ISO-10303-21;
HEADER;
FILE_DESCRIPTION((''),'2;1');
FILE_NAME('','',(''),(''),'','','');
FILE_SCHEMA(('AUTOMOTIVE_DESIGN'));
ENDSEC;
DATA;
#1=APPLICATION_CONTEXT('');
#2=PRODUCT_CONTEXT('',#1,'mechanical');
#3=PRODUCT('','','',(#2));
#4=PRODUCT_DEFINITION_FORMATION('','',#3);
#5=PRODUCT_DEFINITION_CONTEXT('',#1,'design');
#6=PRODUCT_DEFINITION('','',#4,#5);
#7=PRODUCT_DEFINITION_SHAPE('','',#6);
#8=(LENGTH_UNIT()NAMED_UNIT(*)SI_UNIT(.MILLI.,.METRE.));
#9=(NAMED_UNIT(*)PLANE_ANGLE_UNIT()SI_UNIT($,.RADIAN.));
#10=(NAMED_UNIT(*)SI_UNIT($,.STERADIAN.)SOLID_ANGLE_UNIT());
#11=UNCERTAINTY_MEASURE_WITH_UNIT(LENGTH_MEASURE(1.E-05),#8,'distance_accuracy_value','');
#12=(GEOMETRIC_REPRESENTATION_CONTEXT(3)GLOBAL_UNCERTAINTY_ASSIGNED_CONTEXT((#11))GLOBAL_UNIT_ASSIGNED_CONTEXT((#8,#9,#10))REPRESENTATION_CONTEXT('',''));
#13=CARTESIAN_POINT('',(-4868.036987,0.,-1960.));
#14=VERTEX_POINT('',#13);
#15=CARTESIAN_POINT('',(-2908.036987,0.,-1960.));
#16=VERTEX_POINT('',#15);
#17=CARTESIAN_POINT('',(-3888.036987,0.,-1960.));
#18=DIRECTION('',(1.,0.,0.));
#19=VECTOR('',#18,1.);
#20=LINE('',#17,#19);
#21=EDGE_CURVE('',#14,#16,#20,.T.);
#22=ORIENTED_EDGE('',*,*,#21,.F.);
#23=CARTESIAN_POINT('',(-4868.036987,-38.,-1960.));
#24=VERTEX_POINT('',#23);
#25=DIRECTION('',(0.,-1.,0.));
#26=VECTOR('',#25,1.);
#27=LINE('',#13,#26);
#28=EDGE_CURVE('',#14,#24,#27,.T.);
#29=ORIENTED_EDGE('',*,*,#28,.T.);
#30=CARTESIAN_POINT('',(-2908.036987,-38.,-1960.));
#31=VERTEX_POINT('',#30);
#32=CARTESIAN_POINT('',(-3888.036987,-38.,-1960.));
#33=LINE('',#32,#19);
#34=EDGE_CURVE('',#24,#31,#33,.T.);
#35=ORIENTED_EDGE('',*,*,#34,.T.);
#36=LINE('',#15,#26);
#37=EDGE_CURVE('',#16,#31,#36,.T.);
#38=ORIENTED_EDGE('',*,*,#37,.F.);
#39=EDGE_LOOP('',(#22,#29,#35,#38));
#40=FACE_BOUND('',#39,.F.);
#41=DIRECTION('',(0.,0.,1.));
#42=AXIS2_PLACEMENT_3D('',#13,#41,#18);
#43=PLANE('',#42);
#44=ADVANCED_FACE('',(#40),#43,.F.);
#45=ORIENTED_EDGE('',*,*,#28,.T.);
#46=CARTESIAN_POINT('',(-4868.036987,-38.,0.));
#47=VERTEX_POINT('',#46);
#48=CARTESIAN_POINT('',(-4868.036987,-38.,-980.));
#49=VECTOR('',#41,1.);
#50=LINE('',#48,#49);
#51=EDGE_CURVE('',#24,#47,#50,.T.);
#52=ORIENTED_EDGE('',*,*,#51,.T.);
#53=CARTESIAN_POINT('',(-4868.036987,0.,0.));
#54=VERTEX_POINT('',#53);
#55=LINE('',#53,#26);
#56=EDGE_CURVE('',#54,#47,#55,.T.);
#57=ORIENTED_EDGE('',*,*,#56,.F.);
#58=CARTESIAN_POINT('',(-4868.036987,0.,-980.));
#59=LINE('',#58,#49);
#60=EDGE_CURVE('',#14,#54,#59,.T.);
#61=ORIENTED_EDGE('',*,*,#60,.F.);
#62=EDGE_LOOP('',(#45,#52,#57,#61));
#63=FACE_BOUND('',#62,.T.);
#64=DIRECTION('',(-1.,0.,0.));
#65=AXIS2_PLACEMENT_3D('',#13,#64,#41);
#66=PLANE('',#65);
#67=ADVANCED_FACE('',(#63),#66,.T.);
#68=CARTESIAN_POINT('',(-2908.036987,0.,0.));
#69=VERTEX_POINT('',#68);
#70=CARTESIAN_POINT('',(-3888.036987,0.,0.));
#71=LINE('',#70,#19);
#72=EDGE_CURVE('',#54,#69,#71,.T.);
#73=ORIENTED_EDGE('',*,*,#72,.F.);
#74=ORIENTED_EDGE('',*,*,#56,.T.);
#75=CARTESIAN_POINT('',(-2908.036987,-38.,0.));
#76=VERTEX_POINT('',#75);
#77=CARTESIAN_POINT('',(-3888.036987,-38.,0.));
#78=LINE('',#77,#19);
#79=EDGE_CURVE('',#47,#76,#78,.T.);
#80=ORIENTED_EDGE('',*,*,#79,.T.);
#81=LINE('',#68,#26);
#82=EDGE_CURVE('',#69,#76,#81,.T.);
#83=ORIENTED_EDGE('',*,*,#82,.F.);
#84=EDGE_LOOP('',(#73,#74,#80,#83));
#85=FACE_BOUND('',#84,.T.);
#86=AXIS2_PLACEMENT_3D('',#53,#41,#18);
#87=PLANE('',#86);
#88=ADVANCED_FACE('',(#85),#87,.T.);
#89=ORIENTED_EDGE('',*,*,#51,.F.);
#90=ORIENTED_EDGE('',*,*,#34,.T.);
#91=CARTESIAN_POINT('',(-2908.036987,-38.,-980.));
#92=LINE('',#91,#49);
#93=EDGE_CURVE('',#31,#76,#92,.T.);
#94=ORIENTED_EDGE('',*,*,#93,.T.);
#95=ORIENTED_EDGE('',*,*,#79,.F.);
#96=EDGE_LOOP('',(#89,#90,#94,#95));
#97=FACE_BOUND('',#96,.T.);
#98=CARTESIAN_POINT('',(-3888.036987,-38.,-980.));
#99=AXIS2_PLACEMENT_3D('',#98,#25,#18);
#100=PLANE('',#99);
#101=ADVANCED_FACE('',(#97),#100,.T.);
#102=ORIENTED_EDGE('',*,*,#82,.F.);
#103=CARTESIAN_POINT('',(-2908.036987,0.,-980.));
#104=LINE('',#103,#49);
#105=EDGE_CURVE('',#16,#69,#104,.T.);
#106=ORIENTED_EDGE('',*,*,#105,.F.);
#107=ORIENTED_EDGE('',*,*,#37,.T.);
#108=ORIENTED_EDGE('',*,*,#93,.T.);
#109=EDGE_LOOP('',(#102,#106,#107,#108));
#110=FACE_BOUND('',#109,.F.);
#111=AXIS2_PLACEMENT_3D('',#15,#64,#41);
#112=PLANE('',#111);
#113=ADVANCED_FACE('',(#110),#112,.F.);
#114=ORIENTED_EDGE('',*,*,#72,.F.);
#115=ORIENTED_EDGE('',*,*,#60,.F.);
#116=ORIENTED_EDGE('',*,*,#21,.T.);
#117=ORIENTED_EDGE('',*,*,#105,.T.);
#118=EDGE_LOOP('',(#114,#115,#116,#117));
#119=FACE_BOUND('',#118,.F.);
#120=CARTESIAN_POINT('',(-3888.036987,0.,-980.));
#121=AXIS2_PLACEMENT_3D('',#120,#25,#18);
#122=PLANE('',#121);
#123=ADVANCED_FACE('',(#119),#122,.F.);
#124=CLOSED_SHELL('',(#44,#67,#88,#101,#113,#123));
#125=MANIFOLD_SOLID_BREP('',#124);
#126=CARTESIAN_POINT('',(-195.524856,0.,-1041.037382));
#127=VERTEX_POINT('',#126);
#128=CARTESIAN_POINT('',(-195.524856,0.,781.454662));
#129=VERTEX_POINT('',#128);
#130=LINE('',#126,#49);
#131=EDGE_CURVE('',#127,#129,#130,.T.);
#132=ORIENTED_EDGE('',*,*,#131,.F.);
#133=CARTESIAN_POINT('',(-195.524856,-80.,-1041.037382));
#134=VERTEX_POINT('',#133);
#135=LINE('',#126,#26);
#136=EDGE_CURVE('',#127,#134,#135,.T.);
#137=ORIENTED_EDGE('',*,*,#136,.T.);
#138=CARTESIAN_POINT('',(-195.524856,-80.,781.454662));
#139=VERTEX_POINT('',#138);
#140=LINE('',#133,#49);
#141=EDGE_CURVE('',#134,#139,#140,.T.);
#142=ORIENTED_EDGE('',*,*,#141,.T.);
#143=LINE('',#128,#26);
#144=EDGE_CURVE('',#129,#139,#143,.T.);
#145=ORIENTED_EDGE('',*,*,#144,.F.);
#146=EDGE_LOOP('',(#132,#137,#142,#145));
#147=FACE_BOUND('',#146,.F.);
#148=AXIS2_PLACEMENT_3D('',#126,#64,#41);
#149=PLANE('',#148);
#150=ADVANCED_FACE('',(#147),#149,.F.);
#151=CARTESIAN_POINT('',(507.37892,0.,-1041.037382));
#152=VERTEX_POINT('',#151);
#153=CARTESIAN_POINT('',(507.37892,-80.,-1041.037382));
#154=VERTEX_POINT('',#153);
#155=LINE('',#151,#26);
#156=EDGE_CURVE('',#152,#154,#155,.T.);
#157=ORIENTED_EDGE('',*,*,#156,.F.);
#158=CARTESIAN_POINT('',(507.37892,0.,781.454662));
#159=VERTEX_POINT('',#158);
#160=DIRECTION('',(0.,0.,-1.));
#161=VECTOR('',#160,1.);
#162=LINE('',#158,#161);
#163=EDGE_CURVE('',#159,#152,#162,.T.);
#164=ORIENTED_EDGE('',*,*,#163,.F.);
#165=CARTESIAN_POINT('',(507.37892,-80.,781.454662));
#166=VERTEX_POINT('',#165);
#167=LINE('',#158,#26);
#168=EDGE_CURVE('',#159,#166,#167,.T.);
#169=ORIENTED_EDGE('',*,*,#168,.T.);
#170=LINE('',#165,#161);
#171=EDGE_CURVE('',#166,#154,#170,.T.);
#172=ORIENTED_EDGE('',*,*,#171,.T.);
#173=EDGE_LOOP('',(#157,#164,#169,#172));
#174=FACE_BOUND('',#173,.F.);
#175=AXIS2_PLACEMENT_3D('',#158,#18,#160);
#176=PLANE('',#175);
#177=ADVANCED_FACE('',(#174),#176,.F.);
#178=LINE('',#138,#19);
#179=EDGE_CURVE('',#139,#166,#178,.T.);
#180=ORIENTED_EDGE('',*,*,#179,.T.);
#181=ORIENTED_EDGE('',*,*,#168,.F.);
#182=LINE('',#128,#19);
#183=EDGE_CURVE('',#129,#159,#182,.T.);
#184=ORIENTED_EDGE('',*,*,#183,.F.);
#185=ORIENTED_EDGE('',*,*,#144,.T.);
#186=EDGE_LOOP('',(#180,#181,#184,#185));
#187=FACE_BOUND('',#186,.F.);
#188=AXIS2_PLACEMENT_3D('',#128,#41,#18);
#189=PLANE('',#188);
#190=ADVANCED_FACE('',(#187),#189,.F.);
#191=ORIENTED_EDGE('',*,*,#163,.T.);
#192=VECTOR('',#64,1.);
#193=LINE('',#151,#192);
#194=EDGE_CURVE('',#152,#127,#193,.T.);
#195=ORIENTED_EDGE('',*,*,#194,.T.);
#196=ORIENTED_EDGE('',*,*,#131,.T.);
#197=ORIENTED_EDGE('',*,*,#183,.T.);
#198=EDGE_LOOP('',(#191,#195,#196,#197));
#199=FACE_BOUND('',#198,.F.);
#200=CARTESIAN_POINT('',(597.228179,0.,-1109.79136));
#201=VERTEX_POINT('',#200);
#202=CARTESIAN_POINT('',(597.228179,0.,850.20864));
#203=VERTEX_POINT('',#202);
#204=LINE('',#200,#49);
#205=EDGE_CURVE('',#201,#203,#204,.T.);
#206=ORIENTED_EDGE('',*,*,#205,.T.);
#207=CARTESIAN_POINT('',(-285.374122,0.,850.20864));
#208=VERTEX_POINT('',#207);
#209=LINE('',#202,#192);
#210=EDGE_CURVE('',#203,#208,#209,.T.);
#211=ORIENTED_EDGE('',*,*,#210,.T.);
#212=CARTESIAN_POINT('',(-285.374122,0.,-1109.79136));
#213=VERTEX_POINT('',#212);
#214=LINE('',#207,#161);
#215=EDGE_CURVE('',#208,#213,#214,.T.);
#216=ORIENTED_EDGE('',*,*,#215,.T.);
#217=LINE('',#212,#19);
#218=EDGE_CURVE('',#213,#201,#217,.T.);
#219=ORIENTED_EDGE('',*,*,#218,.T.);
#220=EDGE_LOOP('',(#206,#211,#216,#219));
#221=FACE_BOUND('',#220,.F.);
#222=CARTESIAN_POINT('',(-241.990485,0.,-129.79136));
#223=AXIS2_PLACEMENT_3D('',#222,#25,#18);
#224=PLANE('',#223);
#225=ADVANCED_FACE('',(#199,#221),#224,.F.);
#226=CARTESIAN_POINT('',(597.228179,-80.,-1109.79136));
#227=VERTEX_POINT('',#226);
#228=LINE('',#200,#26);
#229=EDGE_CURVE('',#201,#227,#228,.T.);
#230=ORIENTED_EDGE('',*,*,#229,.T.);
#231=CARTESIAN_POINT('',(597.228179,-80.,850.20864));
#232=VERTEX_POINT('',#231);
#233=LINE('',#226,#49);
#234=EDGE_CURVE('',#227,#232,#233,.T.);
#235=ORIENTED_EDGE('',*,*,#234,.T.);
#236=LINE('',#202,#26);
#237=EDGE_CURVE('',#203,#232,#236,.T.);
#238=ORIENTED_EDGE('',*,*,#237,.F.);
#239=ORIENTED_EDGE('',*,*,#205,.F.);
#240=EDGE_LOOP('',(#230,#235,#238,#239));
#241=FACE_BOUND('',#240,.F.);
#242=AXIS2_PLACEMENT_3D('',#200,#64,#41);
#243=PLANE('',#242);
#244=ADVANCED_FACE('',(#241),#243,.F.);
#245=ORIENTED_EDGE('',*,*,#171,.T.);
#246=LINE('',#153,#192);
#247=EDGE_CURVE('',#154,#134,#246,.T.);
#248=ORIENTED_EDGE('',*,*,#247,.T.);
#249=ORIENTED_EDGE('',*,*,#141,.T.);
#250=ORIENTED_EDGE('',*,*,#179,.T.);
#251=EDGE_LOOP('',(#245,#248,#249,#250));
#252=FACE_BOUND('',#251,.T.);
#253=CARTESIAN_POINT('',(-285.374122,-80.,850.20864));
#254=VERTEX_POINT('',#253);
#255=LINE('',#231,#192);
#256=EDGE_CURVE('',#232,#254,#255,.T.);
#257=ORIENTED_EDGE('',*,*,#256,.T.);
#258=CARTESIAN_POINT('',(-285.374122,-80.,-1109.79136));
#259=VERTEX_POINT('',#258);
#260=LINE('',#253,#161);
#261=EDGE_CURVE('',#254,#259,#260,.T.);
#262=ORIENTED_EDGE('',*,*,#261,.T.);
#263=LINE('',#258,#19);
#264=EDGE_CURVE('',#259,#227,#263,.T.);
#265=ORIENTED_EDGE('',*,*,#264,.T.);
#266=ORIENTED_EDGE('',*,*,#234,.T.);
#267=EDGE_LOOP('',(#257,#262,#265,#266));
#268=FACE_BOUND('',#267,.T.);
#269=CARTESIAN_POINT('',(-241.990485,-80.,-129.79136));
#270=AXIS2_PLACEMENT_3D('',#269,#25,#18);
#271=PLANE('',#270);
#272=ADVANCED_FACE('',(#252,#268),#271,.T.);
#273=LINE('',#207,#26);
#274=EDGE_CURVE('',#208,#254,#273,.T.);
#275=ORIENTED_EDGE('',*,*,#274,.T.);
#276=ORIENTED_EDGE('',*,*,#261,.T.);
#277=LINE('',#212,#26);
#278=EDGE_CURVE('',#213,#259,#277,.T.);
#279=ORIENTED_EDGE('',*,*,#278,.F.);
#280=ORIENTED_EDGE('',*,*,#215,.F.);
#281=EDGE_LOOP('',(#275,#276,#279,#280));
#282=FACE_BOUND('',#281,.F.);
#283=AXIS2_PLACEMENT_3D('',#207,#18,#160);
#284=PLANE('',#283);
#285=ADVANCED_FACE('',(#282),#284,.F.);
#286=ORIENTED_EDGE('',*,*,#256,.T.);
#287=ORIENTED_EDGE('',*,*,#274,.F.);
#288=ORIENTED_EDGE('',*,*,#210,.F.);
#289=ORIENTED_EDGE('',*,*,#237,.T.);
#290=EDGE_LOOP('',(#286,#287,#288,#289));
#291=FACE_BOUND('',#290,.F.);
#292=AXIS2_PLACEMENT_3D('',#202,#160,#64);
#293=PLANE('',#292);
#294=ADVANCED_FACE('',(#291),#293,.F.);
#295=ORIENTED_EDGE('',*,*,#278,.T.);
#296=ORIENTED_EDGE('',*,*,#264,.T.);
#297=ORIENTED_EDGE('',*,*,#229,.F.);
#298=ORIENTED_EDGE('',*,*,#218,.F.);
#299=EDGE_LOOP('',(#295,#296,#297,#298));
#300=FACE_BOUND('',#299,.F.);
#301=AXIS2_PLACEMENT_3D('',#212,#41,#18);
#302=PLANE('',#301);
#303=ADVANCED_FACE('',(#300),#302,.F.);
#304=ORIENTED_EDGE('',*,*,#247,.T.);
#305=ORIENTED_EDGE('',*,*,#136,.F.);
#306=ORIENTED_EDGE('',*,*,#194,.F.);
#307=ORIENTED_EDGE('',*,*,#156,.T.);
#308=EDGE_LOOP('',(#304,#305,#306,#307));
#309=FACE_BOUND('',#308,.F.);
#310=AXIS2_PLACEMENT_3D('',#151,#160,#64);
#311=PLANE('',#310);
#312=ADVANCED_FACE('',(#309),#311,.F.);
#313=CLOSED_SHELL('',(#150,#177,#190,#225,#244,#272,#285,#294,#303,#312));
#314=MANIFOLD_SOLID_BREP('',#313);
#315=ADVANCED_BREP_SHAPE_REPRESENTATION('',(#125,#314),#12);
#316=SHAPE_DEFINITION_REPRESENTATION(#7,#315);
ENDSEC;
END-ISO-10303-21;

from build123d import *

# Parameters (mm, degrees)
F0_W     = 1960
F0_H     = 1960
F1_DEPTH = 38
F3_DEPTH = 80


with BuildPart() as f1:
    # F0 (on Front) → F1 (new body)
    with BuildSketch(Plane.XZ):
        with Locations((-3888.036987, -980)):
            Rectangle(F0_W, F0_H)
    extrude(amount=F1_DEPTH)


with BuildPart() as f3:
    # F2 (on Front) → F3 (new body)
    with BuildSketch(Plane.XZ):
        Polygon((-285.374122, 850.20864), (-285.374122, -1109.79136), (-195.524856, -1041.037382), (-195.524856, 781.454662), align=None)
        Polygon((-195.524856, -1041.037382), (-285.374122, -1109.79136), (597.228179, -1109.79136), (507.37892, -1041.037382), align=None)
        Polygon((-195.524856, 850.20864), (-285.374122, 850.20864), (-195.524856, 781.454662), (507.37892, 781.454662), (597.228179, 850.20864), align=None)
        Polygon((507.37892, -1041.037382), (597.228179, -1109.79136), (597.228179, 850.20864), (507.37892, 781.454662), align=None)
    extrude(amount=F3_DEPTH)


solid = Compound([f1.part, f3.part])
